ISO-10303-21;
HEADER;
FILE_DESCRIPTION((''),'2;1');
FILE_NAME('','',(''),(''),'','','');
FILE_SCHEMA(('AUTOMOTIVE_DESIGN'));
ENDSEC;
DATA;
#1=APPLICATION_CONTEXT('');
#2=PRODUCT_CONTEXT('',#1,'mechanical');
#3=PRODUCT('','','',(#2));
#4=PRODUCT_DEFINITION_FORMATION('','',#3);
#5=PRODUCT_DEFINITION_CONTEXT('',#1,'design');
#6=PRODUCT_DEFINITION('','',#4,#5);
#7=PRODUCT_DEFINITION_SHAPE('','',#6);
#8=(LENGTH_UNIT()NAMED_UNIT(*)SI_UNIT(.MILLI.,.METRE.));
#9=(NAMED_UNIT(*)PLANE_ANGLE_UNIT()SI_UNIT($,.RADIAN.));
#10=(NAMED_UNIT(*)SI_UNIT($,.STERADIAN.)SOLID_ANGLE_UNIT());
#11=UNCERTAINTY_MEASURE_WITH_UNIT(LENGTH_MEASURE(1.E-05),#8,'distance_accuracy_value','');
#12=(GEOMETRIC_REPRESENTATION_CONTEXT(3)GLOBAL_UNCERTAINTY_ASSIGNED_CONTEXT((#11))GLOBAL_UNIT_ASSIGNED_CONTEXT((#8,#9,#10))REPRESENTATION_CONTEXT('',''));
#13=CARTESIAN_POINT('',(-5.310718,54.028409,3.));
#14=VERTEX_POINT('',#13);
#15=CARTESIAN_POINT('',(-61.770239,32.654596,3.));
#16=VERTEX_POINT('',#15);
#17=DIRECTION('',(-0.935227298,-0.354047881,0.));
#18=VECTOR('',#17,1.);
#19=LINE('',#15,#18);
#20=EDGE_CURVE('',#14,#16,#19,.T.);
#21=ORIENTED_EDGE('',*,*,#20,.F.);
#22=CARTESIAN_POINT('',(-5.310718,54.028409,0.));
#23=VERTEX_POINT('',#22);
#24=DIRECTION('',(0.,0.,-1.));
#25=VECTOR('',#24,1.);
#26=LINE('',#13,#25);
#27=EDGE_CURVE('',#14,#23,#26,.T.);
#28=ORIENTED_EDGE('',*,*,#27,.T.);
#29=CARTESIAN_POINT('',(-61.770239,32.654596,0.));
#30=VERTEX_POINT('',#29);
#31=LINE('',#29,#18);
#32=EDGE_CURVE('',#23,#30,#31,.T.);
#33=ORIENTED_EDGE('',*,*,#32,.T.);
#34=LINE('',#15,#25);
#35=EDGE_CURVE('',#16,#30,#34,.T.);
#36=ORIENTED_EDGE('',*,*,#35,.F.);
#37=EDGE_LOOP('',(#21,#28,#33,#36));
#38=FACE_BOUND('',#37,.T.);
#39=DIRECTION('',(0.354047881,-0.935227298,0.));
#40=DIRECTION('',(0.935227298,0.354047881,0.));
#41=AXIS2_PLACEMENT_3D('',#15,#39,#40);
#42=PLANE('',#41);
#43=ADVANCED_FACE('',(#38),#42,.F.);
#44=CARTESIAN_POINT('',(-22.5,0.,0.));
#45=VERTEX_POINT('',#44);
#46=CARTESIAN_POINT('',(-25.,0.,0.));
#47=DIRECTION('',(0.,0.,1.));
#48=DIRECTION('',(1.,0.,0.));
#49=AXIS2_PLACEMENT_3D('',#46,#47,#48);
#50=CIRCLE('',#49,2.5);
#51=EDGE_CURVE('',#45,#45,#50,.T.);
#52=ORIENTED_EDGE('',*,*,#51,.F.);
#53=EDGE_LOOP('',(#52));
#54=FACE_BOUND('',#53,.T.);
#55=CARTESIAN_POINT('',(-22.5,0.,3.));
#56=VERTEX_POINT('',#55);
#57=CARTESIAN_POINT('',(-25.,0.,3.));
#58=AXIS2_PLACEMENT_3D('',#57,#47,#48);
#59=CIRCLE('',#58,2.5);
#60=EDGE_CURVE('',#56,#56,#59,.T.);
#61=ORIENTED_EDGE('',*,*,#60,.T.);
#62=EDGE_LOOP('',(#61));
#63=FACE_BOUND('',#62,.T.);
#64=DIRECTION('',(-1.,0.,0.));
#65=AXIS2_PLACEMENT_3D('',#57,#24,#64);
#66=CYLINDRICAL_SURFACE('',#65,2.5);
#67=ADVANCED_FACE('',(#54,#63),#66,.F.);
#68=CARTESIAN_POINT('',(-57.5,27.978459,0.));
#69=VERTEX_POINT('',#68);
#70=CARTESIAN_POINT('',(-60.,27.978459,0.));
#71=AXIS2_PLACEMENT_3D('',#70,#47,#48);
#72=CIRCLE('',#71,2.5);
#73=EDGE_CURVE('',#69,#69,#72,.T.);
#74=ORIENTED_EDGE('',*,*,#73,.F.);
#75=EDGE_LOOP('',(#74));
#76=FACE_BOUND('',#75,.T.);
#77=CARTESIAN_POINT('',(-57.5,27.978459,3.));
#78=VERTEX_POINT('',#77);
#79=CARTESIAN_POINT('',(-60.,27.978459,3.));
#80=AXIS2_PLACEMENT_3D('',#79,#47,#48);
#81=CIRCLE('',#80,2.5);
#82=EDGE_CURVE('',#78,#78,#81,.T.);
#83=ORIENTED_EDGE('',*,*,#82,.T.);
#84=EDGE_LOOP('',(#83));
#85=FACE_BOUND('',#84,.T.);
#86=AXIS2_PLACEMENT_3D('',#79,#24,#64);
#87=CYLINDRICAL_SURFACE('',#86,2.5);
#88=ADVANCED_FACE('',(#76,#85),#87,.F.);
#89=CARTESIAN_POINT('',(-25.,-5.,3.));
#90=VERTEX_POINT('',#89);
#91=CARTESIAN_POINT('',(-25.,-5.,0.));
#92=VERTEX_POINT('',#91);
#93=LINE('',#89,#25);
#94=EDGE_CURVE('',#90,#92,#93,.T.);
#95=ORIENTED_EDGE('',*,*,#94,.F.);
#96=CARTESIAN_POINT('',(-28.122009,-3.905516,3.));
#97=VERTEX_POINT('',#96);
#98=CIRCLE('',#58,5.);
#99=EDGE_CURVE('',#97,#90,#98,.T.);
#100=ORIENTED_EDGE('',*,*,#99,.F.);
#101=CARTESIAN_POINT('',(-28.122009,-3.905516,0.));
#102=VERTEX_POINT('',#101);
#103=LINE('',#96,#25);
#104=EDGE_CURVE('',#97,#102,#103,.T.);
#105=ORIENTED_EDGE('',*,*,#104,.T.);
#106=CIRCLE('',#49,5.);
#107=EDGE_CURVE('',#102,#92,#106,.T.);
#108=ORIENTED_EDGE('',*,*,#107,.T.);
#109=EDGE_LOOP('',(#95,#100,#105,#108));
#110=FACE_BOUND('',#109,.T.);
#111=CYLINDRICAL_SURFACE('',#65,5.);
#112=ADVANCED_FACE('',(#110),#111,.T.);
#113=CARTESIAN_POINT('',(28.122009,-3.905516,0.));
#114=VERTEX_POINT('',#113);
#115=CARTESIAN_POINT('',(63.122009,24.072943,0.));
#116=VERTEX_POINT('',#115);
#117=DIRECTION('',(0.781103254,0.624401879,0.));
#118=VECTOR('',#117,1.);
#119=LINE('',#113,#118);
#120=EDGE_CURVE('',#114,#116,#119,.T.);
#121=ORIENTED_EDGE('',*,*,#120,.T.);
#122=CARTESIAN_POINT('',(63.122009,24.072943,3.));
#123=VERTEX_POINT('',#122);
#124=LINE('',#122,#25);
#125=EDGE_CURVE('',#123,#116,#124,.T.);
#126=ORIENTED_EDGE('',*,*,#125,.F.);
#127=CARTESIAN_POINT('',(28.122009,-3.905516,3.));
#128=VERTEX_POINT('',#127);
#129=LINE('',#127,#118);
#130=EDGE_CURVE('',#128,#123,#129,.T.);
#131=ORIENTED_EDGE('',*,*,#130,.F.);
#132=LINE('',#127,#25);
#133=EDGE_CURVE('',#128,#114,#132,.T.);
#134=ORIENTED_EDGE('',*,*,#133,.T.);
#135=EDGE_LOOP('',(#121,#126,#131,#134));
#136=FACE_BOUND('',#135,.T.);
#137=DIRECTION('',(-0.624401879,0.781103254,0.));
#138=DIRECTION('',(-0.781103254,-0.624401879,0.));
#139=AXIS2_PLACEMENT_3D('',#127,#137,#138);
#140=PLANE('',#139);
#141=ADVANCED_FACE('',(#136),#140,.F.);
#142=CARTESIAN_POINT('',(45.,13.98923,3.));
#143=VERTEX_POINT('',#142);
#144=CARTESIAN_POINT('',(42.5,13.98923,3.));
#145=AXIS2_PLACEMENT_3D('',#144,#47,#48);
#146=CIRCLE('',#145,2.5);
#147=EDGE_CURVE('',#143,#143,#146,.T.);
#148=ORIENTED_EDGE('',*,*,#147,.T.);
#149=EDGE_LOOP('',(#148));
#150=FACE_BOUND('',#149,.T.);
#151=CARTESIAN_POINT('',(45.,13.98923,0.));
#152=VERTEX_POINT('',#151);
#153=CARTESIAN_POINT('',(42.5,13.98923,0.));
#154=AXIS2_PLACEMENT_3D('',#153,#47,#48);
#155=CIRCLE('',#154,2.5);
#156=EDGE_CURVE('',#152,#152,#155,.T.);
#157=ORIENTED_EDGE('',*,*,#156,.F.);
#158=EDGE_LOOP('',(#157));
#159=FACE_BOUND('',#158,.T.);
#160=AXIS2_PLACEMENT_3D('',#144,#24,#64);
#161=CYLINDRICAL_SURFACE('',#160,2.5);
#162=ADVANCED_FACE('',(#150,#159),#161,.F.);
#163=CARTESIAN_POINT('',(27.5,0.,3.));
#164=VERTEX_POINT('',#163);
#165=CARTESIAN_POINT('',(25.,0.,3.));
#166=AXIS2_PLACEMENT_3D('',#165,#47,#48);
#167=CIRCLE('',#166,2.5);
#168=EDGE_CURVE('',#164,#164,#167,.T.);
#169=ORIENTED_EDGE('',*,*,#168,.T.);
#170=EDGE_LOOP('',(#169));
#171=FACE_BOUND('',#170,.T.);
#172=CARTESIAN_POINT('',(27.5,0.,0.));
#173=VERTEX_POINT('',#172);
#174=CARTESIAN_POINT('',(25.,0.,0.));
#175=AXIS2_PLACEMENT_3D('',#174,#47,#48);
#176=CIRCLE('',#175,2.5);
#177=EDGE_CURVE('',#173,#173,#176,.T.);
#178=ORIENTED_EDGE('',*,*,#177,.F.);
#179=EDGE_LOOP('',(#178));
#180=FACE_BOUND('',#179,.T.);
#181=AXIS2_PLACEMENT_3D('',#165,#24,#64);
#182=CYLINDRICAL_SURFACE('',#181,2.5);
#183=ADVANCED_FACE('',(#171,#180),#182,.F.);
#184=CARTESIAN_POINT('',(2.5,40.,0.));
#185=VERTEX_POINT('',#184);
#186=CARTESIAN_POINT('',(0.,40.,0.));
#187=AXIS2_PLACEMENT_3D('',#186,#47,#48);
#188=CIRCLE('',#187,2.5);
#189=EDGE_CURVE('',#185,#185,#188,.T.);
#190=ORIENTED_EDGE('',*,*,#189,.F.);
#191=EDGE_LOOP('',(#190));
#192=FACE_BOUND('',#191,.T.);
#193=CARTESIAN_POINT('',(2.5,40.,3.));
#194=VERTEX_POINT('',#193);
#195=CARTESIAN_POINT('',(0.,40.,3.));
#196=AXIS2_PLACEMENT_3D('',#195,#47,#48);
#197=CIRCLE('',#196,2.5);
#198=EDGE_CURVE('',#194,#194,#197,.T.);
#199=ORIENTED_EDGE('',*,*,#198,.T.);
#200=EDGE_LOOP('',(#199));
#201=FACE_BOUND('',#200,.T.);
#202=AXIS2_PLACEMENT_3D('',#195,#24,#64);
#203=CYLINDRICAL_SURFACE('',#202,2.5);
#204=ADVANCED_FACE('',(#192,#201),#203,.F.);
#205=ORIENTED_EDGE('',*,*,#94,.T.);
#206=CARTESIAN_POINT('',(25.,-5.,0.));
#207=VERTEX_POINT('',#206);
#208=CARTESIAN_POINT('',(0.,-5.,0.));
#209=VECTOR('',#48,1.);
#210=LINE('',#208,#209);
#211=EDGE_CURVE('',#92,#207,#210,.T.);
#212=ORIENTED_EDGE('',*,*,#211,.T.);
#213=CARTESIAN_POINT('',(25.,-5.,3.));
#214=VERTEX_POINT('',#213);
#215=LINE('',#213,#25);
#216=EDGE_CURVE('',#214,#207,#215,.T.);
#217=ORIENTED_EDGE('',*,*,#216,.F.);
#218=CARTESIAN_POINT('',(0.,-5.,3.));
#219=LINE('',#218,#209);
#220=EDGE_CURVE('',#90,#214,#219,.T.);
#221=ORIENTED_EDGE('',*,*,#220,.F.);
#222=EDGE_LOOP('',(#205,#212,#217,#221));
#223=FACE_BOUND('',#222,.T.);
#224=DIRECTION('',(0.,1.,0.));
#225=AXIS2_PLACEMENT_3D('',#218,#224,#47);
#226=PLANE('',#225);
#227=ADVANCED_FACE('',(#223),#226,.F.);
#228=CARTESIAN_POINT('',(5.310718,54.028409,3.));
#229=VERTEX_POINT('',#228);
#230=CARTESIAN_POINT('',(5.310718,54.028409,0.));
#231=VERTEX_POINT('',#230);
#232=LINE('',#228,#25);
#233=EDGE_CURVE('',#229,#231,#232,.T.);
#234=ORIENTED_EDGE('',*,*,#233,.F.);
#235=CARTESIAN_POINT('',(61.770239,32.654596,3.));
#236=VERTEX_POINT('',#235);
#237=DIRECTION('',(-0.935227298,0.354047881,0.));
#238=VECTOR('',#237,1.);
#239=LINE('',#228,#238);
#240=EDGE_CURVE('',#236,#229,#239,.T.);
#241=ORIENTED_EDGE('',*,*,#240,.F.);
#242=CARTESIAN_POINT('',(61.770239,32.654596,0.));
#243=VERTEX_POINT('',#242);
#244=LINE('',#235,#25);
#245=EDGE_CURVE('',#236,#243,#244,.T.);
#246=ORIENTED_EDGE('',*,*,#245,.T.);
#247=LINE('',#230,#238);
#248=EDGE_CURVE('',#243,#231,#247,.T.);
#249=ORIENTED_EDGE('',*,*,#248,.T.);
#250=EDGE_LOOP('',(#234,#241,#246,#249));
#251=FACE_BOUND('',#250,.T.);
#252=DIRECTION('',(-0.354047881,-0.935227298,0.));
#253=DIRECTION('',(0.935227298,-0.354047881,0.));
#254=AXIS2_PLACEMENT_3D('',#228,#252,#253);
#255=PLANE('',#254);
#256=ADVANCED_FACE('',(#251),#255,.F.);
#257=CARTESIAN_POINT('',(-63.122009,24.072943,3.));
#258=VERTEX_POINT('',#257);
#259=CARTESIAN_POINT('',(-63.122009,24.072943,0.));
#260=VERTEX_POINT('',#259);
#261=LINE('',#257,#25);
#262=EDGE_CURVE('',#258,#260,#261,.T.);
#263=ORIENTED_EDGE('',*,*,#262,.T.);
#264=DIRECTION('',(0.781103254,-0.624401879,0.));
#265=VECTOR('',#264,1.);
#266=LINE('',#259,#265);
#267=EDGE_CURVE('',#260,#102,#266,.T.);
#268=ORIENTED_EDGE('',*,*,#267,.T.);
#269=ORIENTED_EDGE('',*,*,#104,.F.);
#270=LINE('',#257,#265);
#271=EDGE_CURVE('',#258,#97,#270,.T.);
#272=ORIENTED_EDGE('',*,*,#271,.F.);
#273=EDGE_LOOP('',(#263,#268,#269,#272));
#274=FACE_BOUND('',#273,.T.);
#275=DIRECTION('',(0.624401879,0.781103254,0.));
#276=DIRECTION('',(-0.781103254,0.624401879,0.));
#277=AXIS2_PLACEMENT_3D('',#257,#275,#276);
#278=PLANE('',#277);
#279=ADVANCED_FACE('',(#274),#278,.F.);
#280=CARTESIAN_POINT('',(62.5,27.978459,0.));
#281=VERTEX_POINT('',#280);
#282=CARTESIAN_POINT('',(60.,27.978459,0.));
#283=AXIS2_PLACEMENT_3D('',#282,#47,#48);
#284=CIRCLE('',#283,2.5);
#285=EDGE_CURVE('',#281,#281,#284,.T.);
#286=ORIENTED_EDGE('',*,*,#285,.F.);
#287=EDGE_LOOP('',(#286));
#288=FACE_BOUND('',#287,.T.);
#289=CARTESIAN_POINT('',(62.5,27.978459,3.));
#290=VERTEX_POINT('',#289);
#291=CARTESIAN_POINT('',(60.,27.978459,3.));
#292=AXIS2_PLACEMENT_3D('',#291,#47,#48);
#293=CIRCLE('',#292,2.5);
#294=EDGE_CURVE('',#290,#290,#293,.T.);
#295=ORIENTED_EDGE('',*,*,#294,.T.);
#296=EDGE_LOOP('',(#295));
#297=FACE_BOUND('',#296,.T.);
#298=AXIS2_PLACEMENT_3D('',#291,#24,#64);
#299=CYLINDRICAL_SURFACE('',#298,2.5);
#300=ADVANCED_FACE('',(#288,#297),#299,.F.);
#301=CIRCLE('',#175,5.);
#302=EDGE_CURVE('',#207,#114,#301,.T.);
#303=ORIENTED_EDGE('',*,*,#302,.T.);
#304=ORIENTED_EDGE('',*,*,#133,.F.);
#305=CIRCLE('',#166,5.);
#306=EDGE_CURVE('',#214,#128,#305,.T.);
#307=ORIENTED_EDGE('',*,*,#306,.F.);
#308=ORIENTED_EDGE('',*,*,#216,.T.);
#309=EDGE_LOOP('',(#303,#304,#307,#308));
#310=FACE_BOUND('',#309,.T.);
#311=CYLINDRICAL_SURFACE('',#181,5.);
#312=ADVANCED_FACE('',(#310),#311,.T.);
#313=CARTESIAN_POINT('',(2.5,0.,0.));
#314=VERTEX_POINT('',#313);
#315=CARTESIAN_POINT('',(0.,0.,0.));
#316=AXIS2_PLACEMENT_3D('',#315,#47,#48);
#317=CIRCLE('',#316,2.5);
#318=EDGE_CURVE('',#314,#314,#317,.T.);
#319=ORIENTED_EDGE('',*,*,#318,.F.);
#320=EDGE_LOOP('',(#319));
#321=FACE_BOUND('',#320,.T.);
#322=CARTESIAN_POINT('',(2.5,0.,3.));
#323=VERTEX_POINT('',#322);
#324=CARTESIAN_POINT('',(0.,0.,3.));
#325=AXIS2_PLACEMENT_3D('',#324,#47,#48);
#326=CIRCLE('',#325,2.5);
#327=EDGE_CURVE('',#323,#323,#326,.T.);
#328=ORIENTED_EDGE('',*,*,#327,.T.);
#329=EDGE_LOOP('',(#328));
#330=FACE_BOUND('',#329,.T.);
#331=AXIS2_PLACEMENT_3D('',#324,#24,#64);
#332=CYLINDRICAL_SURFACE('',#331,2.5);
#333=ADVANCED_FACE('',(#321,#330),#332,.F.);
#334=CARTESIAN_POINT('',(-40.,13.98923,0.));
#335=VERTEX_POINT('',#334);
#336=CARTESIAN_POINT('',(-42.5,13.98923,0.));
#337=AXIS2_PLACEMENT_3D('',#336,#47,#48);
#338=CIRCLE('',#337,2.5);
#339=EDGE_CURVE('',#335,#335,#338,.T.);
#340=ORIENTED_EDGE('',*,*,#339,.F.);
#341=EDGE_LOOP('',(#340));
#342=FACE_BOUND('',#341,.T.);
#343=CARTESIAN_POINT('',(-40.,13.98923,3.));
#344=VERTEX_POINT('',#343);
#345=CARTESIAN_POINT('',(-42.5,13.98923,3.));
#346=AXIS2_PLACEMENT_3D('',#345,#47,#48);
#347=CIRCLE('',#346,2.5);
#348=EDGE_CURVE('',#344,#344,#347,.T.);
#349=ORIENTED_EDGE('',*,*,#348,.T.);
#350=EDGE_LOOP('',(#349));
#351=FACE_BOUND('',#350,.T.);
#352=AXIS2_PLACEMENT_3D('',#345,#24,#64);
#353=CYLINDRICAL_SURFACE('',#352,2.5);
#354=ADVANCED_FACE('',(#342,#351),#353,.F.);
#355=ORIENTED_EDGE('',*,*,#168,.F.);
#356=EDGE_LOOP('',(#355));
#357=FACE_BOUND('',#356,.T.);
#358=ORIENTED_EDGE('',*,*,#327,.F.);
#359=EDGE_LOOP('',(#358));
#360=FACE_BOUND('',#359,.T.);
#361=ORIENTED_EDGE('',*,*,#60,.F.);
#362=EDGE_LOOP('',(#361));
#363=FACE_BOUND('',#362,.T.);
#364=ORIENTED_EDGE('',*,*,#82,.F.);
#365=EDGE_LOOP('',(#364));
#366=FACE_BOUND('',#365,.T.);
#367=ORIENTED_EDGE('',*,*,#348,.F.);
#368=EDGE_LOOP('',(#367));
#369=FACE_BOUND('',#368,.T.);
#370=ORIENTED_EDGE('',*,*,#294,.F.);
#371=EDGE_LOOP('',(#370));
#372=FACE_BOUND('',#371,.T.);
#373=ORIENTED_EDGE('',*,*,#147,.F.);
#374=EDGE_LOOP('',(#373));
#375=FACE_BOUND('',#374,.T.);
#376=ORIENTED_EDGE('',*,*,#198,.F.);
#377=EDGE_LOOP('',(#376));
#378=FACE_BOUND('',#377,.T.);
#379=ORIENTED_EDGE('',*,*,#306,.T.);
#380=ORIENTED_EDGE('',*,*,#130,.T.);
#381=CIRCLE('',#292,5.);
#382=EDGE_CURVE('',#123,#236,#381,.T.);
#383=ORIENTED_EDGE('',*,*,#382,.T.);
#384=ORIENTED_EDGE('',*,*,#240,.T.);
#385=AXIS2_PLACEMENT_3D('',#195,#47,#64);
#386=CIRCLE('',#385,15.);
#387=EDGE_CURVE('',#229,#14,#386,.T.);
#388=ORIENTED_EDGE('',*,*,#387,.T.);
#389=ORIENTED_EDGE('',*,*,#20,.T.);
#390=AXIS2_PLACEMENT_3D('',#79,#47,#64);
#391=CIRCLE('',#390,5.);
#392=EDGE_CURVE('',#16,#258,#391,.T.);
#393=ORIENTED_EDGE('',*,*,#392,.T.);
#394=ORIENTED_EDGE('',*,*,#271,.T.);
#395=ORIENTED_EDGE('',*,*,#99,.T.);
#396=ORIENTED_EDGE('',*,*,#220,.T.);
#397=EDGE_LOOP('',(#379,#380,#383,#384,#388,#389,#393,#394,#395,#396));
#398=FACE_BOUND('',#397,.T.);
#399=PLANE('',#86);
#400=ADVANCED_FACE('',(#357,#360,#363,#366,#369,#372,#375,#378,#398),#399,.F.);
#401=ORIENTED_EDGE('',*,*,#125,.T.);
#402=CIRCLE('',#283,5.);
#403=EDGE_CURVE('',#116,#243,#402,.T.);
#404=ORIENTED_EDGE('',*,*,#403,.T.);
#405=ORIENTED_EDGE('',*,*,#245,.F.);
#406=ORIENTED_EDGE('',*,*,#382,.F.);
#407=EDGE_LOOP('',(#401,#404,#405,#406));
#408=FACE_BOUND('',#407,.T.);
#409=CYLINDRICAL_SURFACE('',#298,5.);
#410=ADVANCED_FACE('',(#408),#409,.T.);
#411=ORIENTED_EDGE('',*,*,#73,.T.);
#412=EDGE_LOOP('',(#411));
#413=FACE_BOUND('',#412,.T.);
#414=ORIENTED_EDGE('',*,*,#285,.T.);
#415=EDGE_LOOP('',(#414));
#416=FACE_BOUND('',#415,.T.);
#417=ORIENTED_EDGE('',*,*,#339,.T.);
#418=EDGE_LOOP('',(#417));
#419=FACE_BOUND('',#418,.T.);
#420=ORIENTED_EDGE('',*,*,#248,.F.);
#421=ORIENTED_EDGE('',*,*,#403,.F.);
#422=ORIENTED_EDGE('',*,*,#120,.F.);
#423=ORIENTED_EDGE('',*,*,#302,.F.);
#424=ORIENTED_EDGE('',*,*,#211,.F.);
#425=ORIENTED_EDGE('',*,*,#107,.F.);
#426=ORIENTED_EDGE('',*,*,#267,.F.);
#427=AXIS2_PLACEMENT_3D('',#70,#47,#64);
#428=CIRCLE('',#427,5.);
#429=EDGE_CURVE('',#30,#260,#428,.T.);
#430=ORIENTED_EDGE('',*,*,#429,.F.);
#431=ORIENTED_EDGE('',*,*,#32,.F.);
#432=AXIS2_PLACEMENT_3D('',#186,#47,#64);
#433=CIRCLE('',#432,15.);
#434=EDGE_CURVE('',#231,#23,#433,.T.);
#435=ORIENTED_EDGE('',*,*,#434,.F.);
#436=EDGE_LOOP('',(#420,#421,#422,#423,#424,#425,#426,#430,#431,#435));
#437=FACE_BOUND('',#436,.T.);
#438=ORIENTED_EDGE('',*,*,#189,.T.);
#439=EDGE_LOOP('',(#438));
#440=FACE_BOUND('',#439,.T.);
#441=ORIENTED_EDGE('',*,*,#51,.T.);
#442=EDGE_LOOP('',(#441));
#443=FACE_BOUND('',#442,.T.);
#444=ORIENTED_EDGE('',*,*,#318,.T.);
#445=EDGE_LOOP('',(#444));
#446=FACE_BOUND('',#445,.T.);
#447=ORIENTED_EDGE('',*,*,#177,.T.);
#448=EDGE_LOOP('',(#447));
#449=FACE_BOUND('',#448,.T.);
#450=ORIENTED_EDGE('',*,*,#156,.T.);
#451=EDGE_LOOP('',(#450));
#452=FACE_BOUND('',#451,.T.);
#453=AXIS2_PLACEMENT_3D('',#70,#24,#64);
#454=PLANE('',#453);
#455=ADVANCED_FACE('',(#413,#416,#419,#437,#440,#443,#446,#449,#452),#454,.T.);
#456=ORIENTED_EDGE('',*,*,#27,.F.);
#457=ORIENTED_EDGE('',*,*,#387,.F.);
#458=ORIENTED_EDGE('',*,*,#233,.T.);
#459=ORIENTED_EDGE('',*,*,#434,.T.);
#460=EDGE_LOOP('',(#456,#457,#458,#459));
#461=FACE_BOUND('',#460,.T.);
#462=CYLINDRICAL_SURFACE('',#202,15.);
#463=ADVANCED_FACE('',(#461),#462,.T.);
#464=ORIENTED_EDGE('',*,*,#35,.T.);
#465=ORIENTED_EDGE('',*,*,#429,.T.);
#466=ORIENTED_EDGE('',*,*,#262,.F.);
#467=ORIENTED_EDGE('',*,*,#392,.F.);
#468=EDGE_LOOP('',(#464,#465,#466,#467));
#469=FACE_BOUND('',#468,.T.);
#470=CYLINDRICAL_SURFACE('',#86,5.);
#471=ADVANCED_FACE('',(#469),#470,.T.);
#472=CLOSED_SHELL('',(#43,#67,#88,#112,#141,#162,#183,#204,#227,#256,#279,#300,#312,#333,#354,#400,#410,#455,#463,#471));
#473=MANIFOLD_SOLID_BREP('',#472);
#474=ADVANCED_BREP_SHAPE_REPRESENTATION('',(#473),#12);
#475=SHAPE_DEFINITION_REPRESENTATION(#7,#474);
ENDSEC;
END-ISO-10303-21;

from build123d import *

# Parameters (mm, degrees)
SKETCH2_R           = 2.5
BOSS_EXTRUDE1_DEPTH = 3


with BuildPart() as part:
    # Sketch2 → Boss-Extrude1 (new body)
    with BuildSketch(Plane.XY):
        with BuildLine():
            Line((-61.770239404, 32.654595977), (-5.310718211, 54.028409464))
            ThreePointArc((-5.310718211, 54.028409464), (0, 55), (5.310718211, 54.028409464))
            Line((5.310718211, 54.028409464), (61.770239404, 32.654595977))
            ThreePointArc((61.770239404, 32.654595977), (64.939100687, 28.75645975), (63.122009394, 24.072943218))
            Line((63.122009394, 24.072943218), (28.122009394, -3.905516271))
            ThreePointArc((28.122009394, -3.905516271), (26.654149123, -4.718452149), (25, -5))
            Line((25, -5), (0, -5))
            Line((0, -5), (-25, -5))
            ThreePointArc((-25, -5), (-26.654149123, -4.718452149), (-28.122009394, -3.905516271))
            Line((-28.122009394, -3.905516271), (-63.122009394, 24.072943218))
            ThreePointArc((-63.122009394, 24.072943218), (-64.939100687, 28.75645975), (-61.770239404, 32.654595977))
        make_face()
        with Locations((-60, 27.978459489)):
            Circle(SKETCH2_R, mode=Mode.SUBTRACT)
        with Locations((0, 40)):
            Circle(SKETCH2_R, mode=Mode.SUBTRACT)
        with Locations((60, 27.978459489)):
            Circle(SKETCH2_R, mode=Mode.SUBTRACT)
        with Locations((25, 0)):
            Circle(SKETCH2_R, mode=Mode.SUBTRACT)
        Circle(SKETCH2_R, mode=Mode.SUBTRACT)
        with Locations((-25, 0)):
            Circle(SKETCH2_R, mode=Mode.SUBTRACT)
        with Locations((-42.5, 13.989229745)):
            Circle(SKETCH2_R, mode=Mode.SUBTRACT)
        with Locations((42.5, 13.989229745)):
            Circle(SKETCH2_R, mode=Mode.SUBTRACT)
    extrude(amount=BOSS_EXTRUDE1_DEPTH)


solid = part.part
